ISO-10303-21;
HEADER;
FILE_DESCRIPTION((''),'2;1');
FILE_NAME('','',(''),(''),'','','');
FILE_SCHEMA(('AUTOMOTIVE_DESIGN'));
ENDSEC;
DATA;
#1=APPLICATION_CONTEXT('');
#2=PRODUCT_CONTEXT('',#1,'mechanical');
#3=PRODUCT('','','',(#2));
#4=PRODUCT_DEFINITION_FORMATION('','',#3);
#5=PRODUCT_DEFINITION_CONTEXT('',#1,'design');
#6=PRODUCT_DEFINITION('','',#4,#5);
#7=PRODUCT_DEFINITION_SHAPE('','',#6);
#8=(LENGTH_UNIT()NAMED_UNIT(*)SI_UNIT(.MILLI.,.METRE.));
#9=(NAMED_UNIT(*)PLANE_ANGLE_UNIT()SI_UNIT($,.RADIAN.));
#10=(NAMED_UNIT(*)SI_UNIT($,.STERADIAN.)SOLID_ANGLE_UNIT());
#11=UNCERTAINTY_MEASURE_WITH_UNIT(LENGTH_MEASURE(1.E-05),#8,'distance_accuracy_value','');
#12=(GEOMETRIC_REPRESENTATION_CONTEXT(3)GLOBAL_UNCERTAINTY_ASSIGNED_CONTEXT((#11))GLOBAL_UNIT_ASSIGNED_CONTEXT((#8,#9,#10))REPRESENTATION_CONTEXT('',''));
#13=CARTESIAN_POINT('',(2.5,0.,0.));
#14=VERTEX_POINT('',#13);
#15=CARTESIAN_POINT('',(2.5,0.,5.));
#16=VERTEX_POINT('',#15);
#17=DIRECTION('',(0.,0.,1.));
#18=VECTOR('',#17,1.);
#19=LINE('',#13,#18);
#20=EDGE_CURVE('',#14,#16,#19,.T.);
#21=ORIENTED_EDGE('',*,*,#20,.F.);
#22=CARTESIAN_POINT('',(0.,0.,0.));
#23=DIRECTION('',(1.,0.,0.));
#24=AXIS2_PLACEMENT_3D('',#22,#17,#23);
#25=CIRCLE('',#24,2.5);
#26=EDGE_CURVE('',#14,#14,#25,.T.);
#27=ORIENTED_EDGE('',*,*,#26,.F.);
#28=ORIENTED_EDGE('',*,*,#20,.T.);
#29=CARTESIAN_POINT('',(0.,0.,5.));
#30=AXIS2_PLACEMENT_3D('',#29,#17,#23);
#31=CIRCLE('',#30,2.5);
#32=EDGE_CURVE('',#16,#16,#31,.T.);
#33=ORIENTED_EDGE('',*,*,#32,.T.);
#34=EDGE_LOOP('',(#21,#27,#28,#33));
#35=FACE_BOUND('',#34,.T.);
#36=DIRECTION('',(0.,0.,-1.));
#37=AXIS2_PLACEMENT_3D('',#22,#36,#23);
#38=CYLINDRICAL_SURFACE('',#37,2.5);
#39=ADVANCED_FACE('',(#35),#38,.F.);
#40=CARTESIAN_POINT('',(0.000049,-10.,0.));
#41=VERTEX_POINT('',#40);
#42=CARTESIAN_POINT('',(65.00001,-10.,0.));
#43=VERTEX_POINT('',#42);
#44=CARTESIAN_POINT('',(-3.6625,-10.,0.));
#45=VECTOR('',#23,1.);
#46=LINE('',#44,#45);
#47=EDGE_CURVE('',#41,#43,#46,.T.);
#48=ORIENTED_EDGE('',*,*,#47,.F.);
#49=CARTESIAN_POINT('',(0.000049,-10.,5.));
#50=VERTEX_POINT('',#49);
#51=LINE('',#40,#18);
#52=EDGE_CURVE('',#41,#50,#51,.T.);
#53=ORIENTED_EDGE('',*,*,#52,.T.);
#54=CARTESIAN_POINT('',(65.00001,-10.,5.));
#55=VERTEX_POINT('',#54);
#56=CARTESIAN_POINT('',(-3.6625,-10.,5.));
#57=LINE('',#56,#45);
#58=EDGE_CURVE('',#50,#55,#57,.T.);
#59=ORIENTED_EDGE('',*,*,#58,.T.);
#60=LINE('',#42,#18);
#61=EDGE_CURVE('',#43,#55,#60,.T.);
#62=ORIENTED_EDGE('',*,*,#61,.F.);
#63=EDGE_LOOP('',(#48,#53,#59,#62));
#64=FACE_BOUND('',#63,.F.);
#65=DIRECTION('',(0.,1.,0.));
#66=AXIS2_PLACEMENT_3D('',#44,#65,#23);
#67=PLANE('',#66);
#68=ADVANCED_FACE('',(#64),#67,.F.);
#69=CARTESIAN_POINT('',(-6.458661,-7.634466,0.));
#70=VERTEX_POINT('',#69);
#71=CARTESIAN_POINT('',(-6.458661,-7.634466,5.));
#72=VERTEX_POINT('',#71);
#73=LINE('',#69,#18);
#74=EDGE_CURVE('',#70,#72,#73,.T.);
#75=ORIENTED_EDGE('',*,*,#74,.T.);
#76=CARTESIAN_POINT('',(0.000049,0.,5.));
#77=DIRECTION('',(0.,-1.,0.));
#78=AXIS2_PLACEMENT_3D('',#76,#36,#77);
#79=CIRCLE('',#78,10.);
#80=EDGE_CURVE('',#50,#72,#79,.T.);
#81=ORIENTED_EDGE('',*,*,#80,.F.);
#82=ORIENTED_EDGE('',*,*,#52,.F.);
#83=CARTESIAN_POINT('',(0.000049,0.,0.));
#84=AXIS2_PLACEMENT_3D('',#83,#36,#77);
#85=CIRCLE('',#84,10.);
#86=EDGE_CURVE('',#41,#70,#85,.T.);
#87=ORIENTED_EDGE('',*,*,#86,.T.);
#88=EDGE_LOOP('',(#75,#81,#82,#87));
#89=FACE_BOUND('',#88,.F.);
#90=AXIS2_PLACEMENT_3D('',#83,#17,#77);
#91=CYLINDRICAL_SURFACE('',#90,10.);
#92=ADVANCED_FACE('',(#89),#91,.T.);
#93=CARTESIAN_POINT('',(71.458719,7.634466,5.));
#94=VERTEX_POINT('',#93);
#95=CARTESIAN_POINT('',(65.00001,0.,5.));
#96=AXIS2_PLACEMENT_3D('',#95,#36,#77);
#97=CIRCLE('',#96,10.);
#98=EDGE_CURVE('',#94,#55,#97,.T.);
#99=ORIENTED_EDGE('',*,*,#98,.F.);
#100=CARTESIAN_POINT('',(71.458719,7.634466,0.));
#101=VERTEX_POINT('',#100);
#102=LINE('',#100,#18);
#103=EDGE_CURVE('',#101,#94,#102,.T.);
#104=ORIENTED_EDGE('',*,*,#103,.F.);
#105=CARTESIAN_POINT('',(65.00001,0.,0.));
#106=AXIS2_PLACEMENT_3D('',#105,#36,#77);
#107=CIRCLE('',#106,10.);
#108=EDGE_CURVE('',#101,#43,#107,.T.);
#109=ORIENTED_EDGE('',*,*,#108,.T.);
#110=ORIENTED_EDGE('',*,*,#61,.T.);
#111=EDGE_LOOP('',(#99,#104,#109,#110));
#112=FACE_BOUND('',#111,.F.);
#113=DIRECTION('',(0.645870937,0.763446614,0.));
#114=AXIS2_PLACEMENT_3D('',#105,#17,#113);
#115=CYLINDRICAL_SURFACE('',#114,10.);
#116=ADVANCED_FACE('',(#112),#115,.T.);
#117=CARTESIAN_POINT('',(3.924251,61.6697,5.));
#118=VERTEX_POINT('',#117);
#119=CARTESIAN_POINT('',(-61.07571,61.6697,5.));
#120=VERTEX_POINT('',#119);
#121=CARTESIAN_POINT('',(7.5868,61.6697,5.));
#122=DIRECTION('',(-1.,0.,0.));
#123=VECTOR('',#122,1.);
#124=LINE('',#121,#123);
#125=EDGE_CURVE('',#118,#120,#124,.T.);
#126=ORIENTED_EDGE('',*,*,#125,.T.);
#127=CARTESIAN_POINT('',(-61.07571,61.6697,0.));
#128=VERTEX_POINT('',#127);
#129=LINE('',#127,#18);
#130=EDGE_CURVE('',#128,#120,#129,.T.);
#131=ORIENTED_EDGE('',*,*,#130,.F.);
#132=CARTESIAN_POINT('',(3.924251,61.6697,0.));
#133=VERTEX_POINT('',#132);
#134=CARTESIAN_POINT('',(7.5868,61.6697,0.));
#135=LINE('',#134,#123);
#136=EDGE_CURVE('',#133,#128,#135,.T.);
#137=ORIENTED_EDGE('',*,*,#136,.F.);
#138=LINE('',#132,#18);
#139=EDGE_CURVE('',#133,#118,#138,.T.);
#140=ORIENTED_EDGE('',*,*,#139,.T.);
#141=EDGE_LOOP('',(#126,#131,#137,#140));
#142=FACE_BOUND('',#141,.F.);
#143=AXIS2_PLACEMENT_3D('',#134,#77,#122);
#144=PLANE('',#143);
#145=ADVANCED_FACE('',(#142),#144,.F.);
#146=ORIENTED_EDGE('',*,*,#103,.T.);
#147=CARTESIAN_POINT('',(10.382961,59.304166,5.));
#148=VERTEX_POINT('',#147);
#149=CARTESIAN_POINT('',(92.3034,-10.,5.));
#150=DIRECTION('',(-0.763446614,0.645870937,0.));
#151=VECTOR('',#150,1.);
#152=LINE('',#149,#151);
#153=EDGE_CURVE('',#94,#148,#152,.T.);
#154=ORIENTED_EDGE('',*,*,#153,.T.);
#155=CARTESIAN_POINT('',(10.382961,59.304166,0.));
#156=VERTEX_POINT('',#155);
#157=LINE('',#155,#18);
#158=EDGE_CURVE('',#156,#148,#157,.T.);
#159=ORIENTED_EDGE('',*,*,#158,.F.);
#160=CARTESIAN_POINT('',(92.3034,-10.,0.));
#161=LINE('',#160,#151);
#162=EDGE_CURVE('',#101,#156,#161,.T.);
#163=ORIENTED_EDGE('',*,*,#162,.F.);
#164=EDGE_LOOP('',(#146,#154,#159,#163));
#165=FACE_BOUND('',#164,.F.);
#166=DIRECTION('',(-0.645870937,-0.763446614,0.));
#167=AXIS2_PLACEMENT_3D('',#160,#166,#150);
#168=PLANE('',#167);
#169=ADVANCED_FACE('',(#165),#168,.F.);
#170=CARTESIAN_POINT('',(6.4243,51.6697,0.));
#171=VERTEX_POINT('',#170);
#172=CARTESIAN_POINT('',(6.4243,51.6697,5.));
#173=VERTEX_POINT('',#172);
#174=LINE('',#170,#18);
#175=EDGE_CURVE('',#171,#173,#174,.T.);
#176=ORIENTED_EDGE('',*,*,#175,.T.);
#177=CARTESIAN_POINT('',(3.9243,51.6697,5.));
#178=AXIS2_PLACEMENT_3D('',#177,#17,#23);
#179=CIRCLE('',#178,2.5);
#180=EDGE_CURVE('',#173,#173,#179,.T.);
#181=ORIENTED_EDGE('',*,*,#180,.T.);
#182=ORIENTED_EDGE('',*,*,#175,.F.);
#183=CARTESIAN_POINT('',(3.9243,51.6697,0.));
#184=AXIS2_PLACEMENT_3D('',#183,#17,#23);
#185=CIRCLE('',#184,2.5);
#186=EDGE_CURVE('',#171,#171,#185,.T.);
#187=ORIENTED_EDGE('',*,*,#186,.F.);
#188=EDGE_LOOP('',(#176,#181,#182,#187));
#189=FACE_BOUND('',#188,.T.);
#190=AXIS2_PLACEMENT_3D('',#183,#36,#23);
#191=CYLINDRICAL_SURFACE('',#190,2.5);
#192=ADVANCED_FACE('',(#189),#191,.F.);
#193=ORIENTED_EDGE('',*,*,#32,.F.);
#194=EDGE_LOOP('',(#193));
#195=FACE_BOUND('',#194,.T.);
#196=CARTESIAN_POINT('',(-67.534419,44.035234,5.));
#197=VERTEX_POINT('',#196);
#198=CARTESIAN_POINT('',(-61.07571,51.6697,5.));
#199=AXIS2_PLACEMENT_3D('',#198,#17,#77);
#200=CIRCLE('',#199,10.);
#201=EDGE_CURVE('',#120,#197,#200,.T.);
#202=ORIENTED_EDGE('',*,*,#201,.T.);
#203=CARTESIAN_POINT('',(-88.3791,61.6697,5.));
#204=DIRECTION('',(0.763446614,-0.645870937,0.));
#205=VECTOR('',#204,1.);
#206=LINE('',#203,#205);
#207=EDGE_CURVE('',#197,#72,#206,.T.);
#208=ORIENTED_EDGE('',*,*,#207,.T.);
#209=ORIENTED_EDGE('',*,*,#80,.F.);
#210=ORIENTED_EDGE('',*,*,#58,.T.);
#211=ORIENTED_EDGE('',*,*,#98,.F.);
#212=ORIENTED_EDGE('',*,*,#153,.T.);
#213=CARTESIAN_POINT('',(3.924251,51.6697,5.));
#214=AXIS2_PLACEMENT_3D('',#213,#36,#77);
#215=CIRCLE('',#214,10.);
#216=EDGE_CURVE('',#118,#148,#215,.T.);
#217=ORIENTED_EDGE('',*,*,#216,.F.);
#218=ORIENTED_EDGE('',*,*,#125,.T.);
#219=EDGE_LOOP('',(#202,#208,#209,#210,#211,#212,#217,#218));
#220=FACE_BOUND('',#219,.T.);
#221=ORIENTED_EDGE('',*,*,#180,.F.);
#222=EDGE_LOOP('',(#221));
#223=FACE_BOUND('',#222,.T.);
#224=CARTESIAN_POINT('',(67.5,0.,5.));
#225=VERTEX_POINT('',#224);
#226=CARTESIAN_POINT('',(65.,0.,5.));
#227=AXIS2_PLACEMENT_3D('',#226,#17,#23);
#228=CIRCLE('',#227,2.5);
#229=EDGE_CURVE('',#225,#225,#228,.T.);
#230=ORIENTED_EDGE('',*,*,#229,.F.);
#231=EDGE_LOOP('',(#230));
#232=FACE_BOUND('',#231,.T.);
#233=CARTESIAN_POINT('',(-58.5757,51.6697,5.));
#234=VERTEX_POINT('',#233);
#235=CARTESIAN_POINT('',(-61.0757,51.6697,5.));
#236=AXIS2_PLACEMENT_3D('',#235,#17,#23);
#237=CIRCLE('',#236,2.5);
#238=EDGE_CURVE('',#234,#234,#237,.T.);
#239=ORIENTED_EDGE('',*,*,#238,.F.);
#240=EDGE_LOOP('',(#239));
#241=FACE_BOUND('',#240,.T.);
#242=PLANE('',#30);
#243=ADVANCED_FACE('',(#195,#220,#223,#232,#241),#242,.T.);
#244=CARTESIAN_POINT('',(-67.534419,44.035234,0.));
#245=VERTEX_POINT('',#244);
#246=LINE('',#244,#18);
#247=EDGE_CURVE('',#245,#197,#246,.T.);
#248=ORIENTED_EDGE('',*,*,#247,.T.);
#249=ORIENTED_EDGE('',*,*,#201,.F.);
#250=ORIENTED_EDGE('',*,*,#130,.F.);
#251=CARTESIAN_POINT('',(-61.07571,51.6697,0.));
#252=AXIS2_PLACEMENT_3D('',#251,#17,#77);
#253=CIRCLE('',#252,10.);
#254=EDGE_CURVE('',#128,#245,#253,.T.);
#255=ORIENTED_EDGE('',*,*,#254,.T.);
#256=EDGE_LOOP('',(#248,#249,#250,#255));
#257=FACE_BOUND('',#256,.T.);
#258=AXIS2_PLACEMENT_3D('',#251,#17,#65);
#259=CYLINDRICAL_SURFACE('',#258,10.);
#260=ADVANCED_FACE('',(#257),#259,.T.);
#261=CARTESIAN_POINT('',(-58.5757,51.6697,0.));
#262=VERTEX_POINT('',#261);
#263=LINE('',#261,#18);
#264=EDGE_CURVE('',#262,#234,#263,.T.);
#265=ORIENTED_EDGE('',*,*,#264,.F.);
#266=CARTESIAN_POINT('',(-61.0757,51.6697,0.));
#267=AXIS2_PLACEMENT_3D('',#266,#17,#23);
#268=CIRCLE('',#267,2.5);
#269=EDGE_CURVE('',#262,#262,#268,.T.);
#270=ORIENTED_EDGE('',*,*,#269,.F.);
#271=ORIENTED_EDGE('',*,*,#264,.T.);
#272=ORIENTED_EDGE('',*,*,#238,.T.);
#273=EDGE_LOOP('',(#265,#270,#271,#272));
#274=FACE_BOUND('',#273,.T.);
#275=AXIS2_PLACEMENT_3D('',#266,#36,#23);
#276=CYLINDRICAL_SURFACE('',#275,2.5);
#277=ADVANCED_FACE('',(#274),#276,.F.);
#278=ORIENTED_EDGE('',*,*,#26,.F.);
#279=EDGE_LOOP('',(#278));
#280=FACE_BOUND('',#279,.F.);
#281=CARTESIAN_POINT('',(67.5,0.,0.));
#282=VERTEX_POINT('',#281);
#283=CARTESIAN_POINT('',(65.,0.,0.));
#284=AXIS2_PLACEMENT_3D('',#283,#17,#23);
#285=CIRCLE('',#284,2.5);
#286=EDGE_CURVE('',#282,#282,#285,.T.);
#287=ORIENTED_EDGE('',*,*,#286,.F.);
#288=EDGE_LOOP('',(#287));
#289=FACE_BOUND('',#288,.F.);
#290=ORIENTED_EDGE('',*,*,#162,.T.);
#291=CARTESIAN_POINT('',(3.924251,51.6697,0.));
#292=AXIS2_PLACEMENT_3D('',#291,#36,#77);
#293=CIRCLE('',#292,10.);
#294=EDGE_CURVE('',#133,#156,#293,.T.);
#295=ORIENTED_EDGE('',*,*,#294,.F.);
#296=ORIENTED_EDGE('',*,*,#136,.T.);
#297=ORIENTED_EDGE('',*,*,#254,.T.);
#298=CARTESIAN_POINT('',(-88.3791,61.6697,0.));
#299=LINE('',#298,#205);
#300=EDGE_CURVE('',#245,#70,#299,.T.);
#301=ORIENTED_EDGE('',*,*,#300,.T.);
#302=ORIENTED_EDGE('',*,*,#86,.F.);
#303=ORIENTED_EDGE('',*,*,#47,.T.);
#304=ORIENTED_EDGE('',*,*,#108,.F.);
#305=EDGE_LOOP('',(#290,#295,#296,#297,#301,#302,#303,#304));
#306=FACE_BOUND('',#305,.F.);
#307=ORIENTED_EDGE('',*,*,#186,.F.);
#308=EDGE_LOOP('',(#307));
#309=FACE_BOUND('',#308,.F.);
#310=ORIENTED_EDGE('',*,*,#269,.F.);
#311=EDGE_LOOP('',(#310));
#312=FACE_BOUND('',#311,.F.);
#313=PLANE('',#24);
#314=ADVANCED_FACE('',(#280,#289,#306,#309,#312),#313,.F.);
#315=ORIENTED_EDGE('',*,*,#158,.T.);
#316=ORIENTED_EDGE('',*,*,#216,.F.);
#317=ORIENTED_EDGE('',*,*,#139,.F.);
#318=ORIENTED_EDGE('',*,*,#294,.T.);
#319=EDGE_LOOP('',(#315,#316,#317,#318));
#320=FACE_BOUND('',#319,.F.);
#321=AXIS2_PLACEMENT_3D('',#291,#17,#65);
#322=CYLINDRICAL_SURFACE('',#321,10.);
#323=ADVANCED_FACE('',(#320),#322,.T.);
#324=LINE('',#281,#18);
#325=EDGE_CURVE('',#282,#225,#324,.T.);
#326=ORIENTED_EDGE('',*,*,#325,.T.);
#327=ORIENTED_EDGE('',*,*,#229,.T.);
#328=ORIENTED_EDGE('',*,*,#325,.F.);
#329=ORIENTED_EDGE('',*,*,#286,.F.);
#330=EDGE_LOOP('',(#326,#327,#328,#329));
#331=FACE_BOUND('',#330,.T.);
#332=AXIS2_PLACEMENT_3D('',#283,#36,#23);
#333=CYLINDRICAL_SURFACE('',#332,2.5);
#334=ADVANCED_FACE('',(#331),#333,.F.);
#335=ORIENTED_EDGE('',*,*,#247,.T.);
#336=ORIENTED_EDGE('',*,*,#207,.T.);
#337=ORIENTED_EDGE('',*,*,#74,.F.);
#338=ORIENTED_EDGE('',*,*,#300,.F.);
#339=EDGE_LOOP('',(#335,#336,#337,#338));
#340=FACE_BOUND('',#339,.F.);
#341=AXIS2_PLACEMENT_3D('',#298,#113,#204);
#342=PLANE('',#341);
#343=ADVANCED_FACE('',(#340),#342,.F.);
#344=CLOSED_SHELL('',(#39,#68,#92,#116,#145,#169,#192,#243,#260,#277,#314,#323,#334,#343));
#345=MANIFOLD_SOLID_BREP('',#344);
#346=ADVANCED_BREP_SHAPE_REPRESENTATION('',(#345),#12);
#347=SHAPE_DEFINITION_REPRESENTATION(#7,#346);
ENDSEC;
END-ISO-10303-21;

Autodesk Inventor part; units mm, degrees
ref_plane "YZ Plane" through (0, 0, 0) normal (1, 0, 0) x (0, 1, 0)
ref_plane "XZ Plane" through (0, 0, 0) normal (0, 1, 0) x (-1, 0, 0)
ref_plane "XY Plane" through (0, 0, 0) normal (0, 0, 1) x (1, 0, 0)
sketch "Sketch1" plane through (0, 0, 0) normal (0, 0, 1) x (1, 0, 0)
  circle A0 centre (0, 0) radius 2.5
  line L0 (0, 0) -> (65, 0) construction
  line L1 (65, 0) -> (3.9243, 51.6697) construction
  line L2 (0, 0) -> (-61.0757, 51.6697) construction
  line L3 (-61.0757, 51.6697) -> (3.9243, 51.6697) construction
  circle A1 centre (-61.0757, 51.6697) radius 2.5
  circle A2 centre (3.9243, 51.6697) radius 2.5
  circle A3 centre (65, 0) radius 2.5
  line L4 (-88.3791, 61.6697) -> (-3.6625, -10)
  line L5 (-3.6625, -10) -> (92.3034, -10)
  line L6 (92.3034, -10) -> (7.5868, 61.6697)
  line L7 (7.5868, 61.6697) -> (-88.3791, 61.6697)
  dimension "d0" = 5
  dimension "d1" = 65
  dimension "d2" = 80
  dimension "d3" = 5
  dimension "d4" = 5
  dimension "d5" = 5
  dimension "d6" = 139.769
  dimension "d7" = 10
extrude "Extrusion1" add sketch "Sketch1" along normal blind 5
fillet "Fillet1" radius 10 4 edges at (-88.3791, 61.6697, 2.5) (7.5868, 61.6697, 2.5) (92.3034, -10, 2.5) (-3.6625, -10, 2.5)
properties part number "HA014" material "ABS Plastic"
